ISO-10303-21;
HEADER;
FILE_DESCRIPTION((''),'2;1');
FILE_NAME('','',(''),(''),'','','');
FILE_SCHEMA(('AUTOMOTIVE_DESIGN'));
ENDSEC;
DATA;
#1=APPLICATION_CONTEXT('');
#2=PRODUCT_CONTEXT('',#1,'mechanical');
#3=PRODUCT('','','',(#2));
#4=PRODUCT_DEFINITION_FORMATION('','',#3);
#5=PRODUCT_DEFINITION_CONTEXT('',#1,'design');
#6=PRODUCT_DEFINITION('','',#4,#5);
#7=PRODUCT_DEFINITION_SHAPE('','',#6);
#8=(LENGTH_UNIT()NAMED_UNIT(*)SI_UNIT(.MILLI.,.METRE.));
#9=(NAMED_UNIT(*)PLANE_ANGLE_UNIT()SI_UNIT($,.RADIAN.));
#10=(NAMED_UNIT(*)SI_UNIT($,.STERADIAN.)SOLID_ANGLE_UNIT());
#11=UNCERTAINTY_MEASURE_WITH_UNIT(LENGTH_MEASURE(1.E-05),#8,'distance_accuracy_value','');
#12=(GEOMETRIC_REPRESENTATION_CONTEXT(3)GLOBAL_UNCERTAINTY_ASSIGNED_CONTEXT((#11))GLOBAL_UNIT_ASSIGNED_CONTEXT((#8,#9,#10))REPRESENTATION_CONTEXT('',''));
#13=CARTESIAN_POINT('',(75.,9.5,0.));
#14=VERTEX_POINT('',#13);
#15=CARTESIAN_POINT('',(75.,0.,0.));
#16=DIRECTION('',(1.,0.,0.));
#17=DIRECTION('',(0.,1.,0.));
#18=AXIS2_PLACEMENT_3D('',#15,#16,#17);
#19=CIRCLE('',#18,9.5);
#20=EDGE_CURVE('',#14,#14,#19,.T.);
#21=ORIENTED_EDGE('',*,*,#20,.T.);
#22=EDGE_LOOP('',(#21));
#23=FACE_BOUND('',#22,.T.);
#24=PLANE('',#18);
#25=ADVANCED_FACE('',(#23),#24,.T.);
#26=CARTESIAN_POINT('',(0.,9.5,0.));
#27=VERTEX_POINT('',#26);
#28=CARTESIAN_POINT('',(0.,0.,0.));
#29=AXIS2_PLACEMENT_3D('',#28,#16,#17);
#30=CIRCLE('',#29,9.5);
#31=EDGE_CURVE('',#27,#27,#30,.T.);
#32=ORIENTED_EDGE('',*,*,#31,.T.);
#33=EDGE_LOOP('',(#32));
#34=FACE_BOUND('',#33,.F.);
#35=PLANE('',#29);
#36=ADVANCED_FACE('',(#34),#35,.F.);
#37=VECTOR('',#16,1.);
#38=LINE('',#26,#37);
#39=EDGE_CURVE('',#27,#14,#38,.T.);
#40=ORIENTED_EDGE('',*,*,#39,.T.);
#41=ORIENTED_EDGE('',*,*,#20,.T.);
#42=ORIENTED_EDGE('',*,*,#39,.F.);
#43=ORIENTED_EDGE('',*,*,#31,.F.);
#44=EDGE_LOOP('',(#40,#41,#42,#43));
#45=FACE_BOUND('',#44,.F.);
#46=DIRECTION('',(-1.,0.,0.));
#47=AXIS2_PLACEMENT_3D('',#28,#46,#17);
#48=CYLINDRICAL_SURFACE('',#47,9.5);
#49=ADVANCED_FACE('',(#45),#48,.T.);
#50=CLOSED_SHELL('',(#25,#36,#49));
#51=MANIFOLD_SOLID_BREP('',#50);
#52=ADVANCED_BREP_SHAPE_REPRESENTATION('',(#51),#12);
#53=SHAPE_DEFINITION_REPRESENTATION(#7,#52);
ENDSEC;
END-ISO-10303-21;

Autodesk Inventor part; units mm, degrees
ref_plane "YZ Plane" through (0, 0, 0) normal (1, 0, 0) x (0, 1, 0)
ref_plane "XZ Plane" through (0, 0, 0) normal (0, 1, 0) x (-1, 0, 0)
ref_plane "XY Plane" through (0, 0, 0) normal (0, 0, 1) x (1, 0, 0)
sketch "Sketch1" plane through (0, 0, 0) normal (1, 0, 0) x (0, 1, 0)
  circle A0 centre (0, 0) radius 9.5
  dimension "d0" = 19
extrude "Extrusion1" add sketch "Sketch1" along normal blind 75
properties part number "Cell"
